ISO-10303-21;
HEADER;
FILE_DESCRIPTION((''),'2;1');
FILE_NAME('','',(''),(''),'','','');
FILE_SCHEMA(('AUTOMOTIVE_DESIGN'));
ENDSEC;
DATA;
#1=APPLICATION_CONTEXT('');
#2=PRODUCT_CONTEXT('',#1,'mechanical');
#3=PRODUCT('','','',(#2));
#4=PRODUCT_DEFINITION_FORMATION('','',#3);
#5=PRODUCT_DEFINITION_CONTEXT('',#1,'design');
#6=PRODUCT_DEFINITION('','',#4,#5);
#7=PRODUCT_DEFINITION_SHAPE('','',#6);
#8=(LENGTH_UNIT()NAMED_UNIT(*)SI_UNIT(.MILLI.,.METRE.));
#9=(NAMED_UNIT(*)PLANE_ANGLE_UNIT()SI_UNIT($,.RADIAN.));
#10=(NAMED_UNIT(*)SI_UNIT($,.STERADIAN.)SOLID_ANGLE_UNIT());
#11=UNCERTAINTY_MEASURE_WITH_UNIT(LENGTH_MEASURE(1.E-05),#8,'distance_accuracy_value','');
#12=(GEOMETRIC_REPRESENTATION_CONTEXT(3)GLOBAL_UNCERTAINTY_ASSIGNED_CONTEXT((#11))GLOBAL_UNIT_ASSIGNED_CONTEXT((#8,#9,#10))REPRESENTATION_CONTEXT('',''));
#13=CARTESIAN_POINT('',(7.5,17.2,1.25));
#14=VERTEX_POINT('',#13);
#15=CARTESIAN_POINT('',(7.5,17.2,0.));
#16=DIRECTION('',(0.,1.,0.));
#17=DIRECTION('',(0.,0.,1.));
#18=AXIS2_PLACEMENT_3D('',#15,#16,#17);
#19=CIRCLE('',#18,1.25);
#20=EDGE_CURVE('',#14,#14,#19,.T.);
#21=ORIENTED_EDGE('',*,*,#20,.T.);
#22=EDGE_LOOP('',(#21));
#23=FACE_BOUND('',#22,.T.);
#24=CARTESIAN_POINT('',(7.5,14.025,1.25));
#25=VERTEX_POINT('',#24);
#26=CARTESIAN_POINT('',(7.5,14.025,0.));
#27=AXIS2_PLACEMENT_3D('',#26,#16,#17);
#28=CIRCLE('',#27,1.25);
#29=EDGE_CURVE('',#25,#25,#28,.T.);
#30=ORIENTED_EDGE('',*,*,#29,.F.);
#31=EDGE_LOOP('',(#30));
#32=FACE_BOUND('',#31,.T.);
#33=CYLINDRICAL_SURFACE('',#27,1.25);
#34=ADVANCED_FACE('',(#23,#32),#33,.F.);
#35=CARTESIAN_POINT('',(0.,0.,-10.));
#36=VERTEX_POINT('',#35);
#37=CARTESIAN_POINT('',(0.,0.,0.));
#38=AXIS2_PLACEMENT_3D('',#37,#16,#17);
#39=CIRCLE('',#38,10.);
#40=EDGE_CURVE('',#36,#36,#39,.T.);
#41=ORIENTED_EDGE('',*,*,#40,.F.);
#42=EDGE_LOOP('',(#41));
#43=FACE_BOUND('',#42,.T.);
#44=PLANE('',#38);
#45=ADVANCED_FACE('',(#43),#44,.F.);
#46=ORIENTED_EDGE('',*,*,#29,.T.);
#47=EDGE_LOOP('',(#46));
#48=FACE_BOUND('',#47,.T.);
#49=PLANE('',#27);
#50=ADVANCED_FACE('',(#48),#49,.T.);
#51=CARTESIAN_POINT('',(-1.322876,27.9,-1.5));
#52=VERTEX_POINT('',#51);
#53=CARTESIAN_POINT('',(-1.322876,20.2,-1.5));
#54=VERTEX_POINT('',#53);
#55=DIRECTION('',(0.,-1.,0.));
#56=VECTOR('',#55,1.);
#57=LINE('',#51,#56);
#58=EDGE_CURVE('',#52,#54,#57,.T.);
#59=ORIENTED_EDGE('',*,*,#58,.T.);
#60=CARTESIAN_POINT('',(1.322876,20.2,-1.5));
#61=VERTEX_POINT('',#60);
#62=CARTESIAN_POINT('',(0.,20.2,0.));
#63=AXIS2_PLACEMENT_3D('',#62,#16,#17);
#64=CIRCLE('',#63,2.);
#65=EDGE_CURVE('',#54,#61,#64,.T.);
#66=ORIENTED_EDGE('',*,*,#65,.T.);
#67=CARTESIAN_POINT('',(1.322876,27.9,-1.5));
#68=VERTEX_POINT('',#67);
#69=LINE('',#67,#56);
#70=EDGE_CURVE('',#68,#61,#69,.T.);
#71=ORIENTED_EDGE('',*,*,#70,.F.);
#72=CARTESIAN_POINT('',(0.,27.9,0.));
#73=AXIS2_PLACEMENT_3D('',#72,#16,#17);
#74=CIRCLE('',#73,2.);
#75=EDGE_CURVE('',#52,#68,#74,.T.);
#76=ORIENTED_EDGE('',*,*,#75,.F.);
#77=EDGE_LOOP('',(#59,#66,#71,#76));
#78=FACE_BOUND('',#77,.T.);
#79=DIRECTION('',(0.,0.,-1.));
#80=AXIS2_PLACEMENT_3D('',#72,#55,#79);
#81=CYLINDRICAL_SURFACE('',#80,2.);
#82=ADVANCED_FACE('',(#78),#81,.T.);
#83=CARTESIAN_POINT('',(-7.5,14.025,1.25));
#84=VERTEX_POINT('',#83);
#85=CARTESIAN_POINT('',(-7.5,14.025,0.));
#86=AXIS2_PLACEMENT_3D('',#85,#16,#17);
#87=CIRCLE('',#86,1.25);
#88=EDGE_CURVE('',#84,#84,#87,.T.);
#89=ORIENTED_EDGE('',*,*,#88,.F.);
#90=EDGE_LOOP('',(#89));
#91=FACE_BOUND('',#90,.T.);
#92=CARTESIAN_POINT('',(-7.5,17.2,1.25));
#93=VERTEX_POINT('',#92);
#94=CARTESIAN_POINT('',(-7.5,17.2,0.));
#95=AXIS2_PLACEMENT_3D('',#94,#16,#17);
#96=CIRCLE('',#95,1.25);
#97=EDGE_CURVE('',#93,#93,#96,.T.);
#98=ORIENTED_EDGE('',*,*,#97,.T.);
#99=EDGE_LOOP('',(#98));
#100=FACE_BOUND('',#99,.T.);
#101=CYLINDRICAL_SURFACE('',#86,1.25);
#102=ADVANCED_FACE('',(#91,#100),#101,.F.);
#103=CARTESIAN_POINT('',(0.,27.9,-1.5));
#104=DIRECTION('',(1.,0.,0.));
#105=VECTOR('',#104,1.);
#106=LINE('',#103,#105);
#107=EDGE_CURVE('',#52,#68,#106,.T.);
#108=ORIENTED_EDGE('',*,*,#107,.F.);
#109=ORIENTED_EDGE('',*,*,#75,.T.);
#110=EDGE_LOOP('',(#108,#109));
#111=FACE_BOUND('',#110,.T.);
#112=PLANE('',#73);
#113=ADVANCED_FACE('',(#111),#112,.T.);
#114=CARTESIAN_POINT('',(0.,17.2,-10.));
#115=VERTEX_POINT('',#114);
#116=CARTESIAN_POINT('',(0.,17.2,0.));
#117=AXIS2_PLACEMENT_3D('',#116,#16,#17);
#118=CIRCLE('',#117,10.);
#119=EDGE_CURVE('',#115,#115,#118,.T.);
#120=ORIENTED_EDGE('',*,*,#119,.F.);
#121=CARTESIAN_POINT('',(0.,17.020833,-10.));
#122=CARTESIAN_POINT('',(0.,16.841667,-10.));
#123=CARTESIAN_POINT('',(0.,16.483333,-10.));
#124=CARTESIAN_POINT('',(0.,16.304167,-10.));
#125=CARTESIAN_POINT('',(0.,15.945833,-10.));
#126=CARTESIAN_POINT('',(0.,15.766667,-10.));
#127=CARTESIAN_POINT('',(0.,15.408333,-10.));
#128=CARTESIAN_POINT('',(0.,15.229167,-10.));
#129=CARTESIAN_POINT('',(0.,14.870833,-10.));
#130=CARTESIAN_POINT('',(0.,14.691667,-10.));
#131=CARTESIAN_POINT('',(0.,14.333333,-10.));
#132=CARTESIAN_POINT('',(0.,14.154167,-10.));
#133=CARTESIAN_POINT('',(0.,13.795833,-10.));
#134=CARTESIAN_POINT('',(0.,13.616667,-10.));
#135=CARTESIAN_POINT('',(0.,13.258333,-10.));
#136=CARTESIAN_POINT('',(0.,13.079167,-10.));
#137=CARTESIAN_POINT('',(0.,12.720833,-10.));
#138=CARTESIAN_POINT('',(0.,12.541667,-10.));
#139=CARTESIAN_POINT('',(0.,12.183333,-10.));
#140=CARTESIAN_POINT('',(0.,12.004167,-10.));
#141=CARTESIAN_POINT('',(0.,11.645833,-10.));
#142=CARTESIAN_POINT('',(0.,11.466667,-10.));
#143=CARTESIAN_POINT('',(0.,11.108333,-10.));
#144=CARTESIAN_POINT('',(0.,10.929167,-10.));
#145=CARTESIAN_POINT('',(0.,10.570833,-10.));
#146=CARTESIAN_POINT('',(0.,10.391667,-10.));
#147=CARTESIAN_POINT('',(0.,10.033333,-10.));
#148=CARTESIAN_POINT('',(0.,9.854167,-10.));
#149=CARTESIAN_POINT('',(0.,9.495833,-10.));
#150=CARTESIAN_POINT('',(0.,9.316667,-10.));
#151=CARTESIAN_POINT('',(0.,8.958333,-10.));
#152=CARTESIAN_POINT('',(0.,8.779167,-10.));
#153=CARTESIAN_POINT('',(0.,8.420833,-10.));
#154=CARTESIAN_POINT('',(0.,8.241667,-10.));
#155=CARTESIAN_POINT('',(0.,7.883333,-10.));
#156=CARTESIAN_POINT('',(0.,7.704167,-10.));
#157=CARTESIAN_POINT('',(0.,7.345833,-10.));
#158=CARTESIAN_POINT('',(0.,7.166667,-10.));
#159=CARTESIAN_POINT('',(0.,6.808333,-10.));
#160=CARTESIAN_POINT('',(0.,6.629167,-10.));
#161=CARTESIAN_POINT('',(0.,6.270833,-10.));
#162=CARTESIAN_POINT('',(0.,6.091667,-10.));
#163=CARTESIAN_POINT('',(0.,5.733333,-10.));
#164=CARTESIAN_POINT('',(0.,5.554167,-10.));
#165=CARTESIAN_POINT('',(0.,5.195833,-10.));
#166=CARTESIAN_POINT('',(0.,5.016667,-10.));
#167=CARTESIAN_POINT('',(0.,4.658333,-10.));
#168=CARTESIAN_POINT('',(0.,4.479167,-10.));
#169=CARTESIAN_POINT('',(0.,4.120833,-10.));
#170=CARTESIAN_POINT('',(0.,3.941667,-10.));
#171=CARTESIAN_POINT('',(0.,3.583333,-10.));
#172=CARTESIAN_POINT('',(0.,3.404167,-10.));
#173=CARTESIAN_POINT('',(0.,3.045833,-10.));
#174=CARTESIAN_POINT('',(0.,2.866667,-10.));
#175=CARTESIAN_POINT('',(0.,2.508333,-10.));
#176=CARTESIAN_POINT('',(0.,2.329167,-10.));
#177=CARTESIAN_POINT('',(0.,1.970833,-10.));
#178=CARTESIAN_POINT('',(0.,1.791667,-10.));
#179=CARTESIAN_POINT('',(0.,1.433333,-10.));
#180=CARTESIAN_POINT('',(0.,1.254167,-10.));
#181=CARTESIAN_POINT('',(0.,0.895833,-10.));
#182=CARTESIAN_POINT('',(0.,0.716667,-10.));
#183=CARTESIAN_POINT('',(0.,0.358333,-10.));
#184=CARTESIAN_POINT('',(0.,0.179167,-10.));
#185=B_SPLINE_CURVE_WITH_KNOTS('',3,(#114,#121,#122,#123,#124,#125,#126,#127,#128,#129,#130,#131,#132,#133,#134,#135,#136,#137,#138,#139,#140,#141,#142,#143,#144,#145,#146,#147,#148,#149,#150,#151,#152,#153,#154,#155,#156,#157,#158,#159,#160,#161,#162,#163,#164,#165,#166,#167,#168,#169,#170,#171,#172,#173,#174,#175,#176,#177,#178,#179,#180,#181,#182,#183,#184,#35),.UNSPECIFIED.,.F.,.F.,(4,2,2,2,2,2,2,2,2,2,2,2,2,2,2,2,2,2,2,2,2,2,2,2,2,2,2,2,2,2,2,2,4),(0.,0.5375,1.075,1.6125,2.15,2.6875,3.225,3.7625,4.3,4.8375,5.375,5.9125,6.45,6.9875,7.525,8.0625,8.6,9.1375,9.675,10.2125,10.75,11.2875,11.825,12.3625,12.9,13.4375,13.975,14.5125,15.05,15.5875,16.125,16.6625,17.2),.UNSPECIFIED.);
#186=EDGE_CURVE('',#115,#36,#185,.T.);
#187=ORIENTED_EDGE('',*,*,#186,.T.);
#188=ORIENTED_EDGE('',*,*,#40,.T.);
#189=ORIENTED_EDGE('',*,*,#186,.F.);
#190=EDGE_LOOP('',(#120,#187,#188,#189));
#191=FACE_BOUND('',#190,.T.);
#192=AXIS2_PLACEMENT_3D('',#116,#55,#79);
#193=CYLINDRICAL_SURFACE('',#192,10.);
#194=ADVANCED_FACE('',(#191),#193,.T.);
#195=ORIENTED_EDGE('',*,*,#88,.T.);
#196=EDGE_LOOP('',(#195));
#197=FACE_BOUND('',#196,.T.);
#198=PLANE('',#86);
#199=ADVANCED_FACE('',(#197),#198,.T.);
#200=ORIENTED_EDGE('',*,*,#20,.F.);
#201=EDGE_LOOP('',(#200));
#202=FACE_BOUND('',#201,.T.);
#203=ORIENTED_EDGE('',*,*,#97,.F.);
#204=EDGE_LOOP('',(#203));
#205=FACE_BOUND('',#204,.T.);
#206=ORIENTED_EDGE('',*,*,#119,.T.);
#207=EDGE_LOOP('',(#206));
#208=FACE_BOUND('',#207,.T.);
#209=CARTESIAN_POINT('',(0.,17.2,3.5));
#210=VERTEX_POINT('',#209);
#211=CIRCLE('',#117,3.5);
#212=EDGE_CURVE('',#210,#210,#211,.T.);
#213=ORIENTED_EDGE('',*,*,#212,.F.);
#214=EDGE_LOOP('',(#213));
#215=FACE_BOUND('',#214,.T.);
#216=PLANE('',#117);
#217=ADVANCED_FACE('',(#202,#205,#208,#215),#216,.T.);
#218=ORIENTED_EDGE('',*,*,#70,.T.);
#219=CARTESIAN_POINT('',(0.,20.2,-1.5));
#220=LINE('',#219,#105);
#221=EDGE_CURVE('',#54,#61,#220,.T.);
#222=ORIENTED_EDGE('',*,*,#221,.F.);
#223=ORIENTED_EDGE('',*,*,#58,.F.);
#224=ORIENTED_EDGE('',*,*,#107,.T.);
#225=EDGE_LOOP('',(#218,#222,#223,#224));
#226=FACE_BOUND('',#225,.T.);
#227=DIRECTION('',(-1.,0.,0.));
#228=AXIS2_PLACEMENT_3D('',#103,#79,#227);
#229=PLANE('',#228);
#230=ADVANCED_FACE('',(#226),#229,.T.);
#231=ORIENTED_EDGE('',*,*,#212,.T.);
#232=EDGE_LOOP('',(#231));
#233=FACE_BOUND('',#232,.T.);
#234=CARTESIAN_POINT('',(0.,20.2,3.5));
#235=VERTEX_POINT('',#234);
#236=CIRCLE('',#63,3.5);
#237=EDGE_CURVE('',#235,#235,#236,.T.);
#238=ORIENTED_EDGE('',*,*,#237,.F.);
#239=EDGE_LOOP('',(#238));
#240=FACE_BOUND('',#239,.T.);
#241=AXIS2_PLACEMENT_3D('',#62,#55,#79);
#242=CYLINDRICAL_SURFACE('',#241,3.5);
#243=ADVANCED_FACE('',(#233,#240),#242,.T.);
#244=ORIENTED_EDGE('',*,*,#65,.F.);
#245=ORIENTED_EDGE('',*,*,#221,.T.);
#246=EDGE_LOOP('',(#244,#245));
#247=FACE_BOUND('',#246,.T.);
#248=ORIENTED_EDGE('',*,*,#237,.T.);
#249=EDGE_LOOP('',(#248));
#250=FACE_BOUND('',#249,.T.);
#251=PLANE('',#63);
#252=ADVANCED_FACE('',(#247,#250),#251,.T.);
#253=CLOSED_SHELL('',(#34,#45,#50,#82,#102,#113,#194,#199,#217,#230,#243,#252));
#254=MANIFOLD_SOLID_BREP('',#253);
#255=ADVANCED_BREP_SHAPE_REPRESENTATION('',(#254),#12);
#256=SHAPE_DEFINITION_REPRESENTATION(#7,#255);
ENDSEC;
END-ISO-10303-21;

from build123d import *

# Parameters (mm, degrees)
SKETCH1_R           = 10
BOSS_EXTRUDE1_DEPTH = 17.2
SKETCH2_R           = 3.5
BOSS_EXTRUDE2_DEPTH = 3
BOSS_EXTRUDE3_DEPTH = 7.7
SKETCH4_R           = 1.25
CUT_EXTRUDE1_DEPTH  = 3.175


with BuildPart() as part:
    # Sketch1 → Boss-Extrude1 (new body)
    with BuildSketch(Plane(origin=(0, 0, 0), x_dir=(1, 0, 0), z_dir=(0, 1, 0))):
        with Locations(Location((0, 0, 0), (0, 0, 90))):
            Circle(SKETCH1_R)
    extrude(amount=BOSS_EXTRUDE1_DEPTH)

    # Sketch2 → Boss-Extrude2 (add)
    with BuildSketch(Plane(origin=(0, 17.2, 0), x_dir=(1, 0, 0), z_dir=(0, 1, 0))):
        with Locations(Location((0, 0, 0), (0, 0, 270))):
            Circle(SKETCH2_R)
    extrude(amount=BOSS_EXTRUDE2_DEPTH)

    # Sketch3 → Boss-Extrude3 (add)
    with BuildSketch(Plane(origin=(0, 20.2, 0), x_dir=(1, 0, 0), z_dir=(0, 1, 0))):
        with BuildLine():
            Line((1.322875656, 1.5), (-1.322875656, 1.5))
            ThreePointArc((-1.322875656, 1.5), (-0.822875656, -1.822875656), (2, 0))
            ThreePointArc((2, 0), (1.822875656, 0.822875656), (1.322875656, 1.5))
        make_face()
    extrude(amount=BOSS_EXTRUDE3_DEPTH)

    # Sketch4 → Cut-Extrude1 (cut)
    with BuildSketch(Plane(origin=(0, 17.2, 0), x_dir=(1, 0, 0), z_dir=(0, 1, 0))):
        with Locations(Location((-7.5, 0, 0), (0, 0, 270))):
            Circle(SKETCH4_R)
        with Locations(Location((7.5, 0, 0), (0, 0, 270))):
            Circle(SKETCH4_R)
    extrude(amount=-CUT_EXTRUDE1_DEPTH, mode=Mode.SUBTRACT)


solid = part.part
